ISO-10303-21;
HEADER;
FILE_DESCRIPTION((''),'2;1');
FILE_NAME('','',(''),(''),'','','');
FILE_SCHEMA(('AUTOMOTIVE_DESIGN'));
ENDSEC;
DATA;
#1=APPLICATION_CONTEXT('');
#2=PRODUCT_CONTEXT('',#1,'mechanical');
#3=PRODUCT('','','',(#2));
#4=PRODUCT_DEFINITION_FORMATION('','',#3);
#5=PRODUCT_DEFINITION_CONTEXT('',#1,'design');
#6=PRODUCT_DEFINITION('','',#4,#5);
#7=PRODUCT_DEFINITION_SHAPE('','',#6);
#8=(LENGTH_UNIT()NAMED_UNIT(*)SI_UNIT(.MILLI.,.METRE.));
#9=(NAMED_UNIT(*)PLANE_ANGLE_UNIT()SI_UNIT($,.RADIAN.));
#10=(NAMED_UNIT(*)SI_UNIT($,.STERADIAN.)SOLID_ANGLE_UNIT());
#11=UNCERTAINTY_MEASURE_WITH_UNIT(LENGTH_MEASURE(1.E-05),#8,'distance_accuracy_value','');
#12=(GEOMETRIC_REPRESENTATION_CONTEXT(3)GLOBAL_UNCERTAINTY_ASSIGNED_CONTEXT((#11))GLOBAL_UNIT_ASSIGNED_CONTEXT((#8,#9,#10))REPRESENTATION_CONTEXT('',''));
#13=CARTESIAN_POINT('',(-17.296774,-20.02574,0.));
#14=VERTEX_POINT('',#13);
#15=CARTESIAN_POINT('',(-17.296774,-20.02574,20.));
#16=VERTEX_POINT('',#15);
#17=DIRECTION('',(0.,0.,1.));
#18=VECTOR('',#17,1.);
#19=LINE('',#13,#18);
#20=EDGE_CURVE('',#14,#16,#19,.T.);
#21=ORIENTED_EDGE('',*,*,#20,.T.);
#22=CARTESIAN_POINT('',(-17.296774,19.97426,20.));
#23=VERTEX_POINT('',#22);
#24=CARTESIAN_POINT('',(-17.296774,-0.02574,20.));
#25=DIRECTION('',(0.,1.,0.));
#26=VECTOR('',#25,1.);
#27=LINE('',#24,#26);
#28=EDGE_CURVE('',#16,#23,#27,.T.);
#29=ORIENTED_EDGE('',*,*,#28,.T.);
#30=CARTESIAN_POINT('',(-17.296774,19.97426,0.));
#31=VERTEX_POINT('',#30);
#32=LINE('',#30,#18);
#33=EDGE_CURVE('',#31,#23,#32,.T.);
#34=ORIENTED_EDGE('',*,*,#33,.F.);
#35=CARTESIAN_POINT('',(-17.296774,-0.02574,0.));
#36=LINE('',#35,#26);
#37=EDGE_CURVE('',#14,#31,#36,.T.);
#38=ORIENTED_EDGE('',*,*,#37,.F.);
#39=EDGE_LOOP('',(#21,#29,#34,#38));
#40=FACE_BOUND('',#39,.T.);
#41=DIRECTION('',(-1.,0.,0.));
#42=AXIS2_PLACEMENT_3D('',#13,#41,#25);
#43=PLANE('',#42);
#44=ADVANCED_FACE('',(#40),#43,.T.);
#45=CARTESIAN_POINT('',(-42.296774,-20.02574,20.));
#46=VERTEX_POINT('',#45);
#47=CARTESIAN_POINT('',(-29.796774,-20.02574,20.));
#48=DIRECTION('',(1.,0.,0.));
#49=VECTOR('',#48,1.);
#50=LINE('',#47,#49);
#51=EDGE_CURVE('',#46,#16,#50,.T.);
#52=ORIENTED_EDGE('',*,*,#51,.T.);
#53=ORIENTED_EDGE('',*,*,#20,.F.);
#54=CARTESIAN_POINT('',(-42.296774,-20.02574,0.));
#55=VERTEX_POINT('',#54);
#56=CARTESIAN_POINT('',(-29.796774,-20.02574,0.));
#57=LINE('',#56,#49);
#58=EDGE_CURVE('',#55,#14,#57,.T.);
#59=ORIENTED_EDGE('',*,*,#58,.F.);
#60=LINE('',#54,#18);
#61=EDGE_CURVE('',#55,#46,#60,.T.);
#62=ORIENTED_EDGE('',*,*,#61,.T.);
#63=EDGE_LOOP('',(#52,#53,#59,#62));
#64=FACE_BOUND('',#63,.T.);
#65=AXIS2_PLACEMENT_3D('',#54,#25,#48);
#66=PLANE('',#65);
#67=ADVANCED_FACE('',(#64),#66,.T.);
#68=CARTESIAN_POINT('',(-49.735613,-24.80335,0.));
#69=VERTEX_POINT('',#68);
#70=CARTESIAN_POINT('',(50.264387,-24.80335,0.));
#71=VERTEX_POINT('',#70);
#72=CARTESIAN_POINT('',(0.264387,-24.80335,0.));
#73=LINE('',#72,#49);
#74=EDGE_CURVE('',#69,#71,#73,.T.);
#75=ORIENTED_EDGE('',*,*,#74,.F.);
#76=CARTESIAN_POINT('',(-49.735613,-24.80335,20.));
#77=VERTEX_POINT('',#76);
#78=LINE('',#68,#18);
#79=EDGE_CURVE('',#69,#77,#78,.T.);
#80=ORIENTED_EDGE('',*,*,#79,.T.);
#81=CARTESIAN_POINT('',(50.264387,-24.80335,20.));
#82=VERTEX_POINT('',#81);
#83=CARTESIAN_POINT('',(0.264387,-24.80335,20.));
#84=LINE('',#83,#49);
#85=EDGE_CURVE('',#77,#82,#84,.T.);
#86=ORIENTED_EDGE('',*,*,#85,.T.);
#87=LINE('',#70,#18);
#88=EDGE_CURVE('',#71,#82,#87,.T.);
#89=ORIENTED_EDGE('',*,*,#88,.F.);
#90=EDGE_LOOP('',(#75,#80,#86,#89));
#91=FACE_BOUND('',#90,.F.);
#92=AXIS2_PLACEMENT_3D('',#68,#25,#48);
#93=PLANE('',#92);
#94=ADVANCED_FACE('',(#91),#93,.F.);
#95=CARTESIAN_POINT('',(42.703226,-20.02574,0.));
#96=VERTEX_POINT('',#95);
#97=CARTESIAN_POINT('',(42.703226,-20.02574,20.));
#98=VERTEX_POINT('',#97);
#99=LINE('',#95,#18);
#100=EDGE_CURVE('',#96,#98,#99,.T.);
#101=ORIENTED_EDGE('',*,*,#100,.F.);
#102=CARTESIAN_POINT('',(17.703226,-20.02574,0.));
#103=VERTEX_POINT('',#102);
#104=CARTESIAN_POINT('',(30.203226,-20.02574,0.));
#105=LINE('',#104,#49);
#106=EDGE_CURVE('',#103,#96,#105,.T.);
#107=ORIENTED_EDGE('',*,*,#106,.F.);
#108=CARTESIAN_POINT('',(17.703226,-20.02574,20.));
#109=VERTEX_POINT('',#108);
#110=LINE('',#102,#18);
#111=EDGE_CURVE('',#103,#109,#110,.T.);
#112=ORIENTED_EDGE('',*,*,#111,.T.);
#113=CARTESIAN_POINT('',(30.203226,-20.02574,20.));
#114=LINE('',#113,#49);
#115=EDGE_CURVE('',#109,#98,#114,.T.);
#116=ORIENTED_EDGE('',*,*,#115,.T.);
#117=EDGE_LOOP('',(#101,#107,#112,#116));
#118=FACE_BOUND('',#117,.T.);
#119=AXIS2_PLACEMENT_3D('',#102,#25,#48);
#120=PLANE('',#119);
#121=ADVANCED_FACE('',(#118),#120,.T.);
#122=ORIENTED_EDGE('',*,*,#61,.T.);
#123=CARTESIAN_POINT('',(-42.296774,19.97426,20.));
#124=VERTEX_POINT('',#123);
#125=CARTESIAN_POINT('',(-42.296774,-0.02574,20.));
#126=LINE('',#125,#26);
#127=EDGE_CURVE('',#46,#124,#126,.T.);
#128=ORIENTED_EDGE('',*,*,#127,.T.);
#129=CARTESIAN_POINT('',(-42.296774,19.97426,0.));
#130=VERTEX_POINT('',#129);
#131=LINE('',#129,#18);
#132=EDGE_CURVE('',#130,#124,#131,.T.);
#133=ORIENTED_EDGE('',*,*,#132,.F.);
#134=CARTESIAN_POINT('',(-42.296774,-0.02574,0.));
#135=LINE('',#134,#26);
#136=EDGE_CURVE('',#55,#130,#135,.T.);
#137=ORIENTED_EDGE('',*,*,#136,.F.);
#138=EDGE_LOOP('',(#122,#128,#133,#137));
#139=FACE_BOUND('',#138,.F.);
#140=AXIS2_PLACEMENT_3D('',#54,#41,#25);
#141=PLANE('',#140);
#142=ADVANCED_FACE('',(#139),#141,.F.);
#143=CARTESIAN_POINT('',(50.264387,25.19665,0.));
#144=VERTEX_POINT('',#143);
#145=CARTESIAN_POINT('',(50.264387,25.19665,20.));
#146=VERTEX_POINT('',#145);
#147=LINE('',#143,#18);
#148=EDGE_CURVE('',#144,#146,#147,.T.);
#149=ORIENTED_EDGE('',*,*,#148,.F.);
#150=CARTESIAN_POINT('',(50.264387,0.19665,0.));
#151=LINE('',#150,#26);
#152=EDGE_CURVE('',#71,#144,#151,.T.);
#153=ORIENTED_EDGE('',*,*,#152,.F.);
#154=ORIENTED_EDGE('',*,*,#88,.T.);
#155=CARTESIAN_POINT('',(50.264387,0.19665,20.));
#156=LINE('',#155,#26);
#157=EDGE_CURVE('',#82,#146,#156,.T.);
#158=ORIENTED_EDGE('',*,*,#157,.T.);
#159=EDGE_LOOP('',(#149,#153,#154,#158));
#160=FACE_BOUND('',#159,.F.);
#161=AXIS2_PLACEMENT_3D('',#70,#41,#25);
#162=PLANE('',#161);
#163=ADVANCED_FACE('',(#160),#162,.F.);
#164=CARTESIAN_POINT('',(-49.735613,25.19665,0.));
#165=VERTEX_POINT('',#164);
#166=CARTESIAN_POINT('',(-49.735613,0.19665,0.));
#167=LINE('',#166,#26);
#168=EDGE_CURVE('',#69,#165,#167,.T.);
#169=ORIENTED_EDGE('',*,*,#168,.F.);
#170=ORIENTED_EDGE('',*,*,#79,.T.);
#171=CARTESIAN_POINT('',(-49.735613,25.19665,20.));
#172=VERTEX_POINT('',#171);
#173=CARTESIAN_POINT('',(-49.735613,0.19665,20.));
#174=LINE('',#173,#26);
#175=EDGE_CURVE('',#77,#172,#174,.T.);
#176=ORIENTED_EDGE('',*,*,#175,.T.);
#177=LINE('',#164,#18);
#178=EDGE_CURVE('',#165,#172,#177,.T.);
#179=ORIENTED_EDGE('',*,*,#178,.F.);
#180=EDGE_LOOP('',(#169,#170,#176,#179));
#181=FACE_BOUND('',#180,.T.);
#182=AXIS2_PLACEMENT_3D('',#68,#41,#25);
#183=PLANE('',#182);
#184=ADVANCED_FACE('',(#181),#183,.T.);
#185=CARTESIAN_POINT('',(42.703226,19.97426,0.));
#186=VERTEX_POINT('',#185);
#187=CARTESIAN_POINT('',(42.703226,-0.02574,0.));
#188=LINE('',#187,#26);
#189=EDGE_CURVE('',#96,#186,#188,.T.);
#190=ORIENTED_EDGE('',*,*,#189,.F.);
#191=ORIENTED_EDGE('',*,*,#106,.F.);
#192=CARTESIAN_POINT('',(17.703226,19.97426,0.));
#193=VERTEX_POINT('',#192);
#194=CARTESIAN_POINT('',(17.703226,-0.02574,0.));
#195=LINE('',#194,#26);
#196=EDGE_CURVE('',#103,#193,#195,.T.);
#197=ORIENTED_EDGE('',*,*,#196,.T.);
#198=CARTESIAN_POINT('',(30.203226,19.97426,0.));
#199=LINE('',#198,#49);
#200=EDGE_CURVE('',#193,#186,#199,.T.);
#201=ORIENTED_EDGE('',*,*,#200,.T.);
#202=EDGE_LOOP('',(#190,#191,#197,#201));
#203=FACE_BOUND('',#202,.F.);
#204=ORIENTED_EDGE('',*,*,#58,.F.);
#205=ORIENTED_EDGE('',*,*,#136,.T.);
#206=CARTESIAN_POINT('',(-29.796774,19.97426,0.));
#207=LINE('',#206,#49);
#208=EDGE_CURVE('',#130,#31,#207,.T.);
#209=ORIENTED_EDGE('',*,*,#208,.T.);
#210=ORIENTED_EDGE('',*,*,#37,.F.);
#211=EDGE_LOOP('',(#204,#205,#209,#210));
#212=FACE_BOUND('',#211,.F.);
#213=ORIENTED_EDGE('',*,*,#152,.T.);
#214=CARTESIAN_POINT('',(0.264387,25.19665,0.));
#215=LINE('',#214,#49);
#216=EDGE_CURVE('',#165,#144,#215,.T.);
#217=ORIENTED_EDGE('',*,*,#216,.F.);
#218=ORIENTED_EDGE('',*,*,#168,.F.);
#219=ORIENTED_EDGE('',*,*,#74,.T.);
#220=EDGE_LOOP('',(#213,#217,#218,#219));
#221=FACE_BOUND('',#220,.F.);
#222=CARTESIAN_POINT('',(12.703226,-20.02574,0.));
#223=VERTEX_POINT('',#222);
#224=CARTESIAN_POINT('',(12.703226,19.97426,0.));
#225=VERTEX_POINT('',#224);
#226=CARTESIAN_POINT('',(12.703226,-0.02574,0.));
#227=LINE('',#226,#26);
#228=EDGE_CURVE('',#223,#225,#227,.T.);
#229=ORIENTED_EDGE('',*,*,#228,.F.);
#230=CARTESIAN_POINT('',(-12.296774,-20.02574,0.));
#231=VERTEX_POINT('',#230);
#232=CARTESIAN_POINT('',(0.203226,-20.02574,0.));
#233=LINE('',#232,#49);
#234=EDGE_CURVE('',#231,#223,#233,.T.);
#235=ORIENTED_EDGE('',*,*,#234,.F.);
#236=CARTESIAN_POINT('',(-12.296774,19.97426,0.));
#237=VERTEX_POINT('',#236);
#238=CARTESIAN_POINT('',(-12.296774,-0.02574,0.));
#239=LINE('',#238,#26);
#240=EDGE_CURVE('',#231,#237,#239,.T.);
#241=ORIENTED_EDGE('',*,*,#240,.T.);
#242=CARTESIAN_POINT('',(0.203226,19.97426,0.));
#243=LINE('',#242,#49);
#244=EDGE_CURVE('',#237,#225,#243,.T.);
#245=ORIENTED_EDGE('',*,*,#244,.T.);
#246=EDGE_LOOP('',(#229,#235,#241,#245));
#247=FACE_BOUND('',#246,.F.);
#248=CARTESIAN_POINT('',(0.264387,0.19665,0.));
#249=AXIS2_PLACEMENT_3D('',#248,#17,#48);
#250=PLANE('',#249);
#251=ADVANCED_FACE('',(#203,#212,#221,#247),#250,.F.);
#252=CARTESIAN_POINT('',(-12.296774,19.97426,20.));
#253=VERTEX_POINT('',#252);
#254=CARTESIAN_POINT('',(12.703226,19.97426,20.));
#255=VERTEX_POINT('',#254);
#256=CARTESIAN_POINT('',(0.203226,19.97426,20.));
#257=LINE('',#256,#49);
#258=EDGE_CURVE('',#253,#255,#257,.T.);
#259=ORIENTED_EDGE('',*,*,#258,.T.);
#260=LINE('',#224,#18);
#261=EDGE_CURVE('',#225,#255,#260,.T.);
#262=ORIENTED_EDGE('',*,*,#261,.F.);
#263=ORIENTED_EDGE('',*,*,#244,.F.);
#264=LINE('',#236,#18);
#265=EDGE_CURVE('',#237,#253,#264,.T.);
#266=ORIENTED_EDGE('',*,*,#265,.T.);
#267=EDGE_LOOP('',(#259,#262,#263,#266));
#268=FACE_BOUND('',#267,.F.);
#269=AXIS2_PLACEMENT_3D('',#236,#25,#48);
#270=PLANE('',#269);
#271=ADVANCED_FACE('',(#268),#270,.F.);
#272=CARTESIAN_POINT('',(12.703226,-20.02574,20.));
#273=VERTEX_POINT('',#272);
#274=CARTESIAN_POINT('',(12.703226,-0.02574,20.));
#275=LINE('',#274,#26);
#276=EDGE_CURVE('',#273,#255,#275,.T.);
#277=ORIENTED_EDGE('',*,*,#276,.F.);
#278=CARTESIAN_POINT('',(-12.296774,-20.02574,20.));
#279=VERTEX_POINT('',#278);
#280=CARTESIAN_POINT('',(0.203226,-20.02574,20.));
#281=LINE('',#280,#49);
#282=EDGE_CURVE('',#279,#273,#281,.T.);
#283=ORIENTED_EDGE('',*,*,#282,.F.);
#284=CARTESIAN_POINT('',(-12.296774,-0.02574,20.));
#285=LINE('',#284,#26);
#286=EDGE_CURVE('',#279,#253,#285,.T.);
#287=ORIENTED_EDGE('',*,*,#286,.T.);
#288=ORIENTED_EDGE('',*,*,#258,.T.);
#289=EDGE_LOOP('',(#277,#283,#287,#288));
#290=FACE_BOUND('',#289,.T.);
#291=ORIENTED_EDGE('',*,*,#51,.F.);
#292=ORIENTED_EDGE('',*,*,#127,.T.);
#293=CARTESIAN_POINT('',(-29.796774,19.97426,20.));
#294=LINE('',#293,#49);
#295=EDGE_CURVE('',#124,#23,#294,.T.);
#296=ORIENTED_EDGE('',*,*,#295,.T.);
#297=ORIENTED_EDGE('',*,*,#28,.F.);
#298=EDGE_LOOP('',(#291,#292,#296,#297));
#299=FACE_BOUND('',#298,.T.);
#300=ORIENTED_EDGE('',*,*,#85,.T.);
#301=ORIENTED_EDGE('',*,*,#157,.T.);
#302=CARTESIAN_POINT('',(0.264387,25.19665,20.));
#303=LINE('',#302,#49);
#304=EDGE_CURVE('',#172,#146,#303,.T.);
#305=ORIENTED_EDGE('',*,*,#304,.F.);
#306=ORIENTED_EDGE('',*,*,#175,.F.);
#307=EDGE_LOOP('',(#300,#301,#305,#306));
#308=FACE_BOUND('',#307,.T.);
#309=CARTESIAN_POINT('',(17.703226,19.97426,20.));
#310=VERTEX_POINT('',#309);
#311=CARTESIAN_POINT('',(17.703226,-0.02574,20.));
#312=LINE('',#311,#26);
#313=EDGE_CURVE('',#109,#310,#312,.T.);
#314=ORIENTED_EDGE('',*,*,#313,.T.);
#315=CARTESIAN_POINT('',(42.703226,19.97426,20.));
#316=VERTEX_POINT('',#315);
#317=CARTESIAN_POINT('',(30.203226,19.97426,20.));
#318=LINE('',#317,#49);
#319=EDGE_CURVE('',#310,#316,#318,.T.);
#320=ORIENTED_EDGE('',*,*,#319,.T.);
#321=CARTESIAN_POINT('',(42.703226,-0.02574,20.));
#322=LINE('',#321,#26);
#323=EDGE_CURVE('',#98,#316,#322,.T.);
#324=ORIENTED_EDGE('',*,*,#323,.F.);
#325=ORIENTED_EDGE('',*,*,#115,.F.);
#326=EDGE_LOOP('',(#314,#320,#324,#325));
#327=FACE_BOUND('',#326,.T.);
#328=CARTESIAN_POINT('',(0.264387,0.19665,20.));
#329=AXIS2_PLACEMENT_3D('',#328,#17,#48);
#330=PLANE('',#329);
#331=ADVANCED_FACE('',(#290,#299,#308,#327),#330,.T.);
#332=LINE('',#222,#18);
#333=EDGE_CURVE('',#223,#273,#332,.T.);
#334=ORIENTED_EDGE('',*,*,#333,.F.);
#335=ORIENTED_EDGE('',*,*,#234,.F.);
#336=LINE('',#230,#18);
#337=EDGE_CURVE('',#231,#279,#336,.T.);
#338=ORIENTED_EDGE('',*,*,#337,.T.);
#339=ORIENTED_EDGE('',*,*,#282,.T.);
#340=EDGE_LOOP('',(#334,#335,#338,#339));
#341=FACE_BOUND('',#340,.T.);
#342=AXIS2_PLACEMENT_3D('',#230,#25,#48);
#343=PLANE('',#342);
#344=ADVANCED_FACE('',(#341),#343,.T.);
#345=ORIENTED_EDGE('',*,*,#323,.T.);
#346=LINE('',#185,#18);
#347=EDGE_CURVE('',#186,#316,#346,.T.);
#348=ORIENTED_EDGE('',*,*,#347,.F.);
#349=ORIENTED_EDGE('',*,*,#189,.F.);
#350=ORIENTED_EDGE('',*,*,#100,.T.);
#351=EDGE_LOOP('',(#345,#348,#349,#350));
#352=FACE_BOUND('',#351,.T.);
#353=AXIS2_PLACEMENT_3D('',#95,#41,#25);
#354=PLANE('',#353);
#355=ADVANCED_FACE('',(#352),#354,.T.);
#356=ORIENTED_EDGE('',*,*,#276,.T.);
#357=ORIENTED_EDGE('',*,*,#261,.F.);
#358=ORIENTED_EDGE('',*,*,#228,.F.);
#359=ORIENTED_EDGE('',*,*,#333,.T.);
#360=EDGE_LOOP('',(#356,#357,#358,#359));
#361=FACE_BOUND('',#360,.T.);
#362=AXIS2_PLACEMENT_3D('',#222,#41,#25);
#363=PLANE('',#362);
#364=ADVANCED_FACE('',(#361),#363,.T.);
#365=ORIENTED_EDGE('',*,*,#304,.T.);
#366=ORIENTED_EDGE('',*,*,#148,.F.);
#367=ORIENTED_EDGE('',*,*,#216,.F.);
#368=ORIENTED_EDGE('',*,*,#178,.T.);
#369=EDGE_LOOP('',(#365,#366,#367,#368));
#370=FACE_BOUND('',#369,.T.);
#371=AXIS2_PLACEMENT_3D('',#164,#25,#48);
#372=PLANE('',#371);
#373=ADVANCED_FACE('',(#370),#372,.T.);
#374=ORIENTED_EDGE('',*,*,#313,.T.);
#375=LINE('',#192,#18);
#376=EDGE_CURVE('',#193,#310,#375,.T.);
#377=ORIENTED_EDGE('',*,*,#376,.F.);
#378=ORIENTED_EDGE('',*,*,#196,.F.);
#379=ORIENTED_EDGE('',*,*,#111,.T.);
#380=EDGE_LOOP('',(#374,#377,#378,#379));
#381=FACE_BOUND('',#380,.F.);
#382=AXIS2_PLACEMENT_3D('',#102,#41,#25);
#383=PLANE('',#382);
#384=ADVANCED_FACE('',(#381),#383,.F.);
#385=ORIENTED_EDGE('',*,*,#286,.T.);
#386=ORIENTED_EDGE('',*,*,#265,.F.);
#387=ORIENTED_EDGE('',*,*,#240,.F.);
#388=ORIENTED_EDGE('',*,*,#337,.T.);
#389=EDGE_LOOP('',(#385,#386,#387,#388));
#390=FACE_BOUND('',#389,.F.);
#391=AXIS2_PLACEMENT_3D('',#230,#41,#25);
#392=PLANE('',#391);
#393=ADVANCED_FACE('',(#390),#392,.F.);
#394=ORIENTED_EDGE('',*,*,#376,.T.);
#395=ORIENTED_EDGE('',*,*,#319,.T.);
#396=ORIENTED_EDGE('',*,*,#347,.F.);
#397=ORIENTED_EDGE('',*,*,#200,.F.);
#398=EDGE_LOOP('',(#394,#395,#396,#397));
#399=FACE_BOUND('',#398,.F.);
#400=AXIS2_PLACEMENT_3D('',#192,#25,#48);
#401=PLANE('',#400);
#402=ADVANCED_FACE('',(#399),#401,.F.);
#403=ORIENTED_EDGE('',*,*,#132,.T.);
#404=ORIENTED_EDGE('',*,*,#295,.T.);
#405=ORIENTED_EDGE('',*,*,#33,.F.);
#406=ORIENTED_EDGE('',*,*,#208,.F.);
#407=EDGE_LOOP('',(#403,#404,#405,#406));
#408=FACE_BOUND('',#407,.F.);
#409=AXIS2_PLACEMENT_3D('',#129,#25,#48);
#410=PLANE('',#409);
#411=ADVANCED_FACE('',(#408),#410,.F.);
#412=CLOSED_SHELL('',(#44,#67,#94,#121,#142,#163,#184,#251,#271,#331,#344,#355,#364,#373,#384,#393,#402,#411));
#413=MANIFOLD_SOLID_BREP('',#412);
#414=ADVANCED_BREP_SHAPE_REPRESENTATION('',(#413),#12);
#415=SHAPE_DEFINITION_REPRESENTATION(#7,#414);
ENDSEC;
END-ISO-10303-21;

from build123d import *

# Parameters (mm, degrees)
SKETCH_W   = 100
SKETCH_H   = 50
SKETCH_W_2 = 25
SKETCH_H_2 = 40
PAD_DEPTH  = 20


with BuildPart() as part:
    # Sketch → Pad (new body)
    with BuildSketch(Plane.XY):
        with Locations((0.264387, 0.19665)):
            Rectangle(SKETCH_W, SKETCH_H)
        with Locations((-29.796774, -0.02574)):
            Rectangle(SKETCH_W_2, SKETCH_H_2, mode=Mode.SUBTRACT)
        with Locations((0.203226, -0.02574)):
            Rectangle(SKETCH_W_2, SKETCH_H_2, mode=Mode.SUBTRACT)
        with Locations((30.203226, -0.02574)):
            Rectangle(SKETCH_W_2, SKETCH_H_2, mode=Mode.SUBTRACT)
    extrude(amount=PAD_DEPTH)


solid = part.part
